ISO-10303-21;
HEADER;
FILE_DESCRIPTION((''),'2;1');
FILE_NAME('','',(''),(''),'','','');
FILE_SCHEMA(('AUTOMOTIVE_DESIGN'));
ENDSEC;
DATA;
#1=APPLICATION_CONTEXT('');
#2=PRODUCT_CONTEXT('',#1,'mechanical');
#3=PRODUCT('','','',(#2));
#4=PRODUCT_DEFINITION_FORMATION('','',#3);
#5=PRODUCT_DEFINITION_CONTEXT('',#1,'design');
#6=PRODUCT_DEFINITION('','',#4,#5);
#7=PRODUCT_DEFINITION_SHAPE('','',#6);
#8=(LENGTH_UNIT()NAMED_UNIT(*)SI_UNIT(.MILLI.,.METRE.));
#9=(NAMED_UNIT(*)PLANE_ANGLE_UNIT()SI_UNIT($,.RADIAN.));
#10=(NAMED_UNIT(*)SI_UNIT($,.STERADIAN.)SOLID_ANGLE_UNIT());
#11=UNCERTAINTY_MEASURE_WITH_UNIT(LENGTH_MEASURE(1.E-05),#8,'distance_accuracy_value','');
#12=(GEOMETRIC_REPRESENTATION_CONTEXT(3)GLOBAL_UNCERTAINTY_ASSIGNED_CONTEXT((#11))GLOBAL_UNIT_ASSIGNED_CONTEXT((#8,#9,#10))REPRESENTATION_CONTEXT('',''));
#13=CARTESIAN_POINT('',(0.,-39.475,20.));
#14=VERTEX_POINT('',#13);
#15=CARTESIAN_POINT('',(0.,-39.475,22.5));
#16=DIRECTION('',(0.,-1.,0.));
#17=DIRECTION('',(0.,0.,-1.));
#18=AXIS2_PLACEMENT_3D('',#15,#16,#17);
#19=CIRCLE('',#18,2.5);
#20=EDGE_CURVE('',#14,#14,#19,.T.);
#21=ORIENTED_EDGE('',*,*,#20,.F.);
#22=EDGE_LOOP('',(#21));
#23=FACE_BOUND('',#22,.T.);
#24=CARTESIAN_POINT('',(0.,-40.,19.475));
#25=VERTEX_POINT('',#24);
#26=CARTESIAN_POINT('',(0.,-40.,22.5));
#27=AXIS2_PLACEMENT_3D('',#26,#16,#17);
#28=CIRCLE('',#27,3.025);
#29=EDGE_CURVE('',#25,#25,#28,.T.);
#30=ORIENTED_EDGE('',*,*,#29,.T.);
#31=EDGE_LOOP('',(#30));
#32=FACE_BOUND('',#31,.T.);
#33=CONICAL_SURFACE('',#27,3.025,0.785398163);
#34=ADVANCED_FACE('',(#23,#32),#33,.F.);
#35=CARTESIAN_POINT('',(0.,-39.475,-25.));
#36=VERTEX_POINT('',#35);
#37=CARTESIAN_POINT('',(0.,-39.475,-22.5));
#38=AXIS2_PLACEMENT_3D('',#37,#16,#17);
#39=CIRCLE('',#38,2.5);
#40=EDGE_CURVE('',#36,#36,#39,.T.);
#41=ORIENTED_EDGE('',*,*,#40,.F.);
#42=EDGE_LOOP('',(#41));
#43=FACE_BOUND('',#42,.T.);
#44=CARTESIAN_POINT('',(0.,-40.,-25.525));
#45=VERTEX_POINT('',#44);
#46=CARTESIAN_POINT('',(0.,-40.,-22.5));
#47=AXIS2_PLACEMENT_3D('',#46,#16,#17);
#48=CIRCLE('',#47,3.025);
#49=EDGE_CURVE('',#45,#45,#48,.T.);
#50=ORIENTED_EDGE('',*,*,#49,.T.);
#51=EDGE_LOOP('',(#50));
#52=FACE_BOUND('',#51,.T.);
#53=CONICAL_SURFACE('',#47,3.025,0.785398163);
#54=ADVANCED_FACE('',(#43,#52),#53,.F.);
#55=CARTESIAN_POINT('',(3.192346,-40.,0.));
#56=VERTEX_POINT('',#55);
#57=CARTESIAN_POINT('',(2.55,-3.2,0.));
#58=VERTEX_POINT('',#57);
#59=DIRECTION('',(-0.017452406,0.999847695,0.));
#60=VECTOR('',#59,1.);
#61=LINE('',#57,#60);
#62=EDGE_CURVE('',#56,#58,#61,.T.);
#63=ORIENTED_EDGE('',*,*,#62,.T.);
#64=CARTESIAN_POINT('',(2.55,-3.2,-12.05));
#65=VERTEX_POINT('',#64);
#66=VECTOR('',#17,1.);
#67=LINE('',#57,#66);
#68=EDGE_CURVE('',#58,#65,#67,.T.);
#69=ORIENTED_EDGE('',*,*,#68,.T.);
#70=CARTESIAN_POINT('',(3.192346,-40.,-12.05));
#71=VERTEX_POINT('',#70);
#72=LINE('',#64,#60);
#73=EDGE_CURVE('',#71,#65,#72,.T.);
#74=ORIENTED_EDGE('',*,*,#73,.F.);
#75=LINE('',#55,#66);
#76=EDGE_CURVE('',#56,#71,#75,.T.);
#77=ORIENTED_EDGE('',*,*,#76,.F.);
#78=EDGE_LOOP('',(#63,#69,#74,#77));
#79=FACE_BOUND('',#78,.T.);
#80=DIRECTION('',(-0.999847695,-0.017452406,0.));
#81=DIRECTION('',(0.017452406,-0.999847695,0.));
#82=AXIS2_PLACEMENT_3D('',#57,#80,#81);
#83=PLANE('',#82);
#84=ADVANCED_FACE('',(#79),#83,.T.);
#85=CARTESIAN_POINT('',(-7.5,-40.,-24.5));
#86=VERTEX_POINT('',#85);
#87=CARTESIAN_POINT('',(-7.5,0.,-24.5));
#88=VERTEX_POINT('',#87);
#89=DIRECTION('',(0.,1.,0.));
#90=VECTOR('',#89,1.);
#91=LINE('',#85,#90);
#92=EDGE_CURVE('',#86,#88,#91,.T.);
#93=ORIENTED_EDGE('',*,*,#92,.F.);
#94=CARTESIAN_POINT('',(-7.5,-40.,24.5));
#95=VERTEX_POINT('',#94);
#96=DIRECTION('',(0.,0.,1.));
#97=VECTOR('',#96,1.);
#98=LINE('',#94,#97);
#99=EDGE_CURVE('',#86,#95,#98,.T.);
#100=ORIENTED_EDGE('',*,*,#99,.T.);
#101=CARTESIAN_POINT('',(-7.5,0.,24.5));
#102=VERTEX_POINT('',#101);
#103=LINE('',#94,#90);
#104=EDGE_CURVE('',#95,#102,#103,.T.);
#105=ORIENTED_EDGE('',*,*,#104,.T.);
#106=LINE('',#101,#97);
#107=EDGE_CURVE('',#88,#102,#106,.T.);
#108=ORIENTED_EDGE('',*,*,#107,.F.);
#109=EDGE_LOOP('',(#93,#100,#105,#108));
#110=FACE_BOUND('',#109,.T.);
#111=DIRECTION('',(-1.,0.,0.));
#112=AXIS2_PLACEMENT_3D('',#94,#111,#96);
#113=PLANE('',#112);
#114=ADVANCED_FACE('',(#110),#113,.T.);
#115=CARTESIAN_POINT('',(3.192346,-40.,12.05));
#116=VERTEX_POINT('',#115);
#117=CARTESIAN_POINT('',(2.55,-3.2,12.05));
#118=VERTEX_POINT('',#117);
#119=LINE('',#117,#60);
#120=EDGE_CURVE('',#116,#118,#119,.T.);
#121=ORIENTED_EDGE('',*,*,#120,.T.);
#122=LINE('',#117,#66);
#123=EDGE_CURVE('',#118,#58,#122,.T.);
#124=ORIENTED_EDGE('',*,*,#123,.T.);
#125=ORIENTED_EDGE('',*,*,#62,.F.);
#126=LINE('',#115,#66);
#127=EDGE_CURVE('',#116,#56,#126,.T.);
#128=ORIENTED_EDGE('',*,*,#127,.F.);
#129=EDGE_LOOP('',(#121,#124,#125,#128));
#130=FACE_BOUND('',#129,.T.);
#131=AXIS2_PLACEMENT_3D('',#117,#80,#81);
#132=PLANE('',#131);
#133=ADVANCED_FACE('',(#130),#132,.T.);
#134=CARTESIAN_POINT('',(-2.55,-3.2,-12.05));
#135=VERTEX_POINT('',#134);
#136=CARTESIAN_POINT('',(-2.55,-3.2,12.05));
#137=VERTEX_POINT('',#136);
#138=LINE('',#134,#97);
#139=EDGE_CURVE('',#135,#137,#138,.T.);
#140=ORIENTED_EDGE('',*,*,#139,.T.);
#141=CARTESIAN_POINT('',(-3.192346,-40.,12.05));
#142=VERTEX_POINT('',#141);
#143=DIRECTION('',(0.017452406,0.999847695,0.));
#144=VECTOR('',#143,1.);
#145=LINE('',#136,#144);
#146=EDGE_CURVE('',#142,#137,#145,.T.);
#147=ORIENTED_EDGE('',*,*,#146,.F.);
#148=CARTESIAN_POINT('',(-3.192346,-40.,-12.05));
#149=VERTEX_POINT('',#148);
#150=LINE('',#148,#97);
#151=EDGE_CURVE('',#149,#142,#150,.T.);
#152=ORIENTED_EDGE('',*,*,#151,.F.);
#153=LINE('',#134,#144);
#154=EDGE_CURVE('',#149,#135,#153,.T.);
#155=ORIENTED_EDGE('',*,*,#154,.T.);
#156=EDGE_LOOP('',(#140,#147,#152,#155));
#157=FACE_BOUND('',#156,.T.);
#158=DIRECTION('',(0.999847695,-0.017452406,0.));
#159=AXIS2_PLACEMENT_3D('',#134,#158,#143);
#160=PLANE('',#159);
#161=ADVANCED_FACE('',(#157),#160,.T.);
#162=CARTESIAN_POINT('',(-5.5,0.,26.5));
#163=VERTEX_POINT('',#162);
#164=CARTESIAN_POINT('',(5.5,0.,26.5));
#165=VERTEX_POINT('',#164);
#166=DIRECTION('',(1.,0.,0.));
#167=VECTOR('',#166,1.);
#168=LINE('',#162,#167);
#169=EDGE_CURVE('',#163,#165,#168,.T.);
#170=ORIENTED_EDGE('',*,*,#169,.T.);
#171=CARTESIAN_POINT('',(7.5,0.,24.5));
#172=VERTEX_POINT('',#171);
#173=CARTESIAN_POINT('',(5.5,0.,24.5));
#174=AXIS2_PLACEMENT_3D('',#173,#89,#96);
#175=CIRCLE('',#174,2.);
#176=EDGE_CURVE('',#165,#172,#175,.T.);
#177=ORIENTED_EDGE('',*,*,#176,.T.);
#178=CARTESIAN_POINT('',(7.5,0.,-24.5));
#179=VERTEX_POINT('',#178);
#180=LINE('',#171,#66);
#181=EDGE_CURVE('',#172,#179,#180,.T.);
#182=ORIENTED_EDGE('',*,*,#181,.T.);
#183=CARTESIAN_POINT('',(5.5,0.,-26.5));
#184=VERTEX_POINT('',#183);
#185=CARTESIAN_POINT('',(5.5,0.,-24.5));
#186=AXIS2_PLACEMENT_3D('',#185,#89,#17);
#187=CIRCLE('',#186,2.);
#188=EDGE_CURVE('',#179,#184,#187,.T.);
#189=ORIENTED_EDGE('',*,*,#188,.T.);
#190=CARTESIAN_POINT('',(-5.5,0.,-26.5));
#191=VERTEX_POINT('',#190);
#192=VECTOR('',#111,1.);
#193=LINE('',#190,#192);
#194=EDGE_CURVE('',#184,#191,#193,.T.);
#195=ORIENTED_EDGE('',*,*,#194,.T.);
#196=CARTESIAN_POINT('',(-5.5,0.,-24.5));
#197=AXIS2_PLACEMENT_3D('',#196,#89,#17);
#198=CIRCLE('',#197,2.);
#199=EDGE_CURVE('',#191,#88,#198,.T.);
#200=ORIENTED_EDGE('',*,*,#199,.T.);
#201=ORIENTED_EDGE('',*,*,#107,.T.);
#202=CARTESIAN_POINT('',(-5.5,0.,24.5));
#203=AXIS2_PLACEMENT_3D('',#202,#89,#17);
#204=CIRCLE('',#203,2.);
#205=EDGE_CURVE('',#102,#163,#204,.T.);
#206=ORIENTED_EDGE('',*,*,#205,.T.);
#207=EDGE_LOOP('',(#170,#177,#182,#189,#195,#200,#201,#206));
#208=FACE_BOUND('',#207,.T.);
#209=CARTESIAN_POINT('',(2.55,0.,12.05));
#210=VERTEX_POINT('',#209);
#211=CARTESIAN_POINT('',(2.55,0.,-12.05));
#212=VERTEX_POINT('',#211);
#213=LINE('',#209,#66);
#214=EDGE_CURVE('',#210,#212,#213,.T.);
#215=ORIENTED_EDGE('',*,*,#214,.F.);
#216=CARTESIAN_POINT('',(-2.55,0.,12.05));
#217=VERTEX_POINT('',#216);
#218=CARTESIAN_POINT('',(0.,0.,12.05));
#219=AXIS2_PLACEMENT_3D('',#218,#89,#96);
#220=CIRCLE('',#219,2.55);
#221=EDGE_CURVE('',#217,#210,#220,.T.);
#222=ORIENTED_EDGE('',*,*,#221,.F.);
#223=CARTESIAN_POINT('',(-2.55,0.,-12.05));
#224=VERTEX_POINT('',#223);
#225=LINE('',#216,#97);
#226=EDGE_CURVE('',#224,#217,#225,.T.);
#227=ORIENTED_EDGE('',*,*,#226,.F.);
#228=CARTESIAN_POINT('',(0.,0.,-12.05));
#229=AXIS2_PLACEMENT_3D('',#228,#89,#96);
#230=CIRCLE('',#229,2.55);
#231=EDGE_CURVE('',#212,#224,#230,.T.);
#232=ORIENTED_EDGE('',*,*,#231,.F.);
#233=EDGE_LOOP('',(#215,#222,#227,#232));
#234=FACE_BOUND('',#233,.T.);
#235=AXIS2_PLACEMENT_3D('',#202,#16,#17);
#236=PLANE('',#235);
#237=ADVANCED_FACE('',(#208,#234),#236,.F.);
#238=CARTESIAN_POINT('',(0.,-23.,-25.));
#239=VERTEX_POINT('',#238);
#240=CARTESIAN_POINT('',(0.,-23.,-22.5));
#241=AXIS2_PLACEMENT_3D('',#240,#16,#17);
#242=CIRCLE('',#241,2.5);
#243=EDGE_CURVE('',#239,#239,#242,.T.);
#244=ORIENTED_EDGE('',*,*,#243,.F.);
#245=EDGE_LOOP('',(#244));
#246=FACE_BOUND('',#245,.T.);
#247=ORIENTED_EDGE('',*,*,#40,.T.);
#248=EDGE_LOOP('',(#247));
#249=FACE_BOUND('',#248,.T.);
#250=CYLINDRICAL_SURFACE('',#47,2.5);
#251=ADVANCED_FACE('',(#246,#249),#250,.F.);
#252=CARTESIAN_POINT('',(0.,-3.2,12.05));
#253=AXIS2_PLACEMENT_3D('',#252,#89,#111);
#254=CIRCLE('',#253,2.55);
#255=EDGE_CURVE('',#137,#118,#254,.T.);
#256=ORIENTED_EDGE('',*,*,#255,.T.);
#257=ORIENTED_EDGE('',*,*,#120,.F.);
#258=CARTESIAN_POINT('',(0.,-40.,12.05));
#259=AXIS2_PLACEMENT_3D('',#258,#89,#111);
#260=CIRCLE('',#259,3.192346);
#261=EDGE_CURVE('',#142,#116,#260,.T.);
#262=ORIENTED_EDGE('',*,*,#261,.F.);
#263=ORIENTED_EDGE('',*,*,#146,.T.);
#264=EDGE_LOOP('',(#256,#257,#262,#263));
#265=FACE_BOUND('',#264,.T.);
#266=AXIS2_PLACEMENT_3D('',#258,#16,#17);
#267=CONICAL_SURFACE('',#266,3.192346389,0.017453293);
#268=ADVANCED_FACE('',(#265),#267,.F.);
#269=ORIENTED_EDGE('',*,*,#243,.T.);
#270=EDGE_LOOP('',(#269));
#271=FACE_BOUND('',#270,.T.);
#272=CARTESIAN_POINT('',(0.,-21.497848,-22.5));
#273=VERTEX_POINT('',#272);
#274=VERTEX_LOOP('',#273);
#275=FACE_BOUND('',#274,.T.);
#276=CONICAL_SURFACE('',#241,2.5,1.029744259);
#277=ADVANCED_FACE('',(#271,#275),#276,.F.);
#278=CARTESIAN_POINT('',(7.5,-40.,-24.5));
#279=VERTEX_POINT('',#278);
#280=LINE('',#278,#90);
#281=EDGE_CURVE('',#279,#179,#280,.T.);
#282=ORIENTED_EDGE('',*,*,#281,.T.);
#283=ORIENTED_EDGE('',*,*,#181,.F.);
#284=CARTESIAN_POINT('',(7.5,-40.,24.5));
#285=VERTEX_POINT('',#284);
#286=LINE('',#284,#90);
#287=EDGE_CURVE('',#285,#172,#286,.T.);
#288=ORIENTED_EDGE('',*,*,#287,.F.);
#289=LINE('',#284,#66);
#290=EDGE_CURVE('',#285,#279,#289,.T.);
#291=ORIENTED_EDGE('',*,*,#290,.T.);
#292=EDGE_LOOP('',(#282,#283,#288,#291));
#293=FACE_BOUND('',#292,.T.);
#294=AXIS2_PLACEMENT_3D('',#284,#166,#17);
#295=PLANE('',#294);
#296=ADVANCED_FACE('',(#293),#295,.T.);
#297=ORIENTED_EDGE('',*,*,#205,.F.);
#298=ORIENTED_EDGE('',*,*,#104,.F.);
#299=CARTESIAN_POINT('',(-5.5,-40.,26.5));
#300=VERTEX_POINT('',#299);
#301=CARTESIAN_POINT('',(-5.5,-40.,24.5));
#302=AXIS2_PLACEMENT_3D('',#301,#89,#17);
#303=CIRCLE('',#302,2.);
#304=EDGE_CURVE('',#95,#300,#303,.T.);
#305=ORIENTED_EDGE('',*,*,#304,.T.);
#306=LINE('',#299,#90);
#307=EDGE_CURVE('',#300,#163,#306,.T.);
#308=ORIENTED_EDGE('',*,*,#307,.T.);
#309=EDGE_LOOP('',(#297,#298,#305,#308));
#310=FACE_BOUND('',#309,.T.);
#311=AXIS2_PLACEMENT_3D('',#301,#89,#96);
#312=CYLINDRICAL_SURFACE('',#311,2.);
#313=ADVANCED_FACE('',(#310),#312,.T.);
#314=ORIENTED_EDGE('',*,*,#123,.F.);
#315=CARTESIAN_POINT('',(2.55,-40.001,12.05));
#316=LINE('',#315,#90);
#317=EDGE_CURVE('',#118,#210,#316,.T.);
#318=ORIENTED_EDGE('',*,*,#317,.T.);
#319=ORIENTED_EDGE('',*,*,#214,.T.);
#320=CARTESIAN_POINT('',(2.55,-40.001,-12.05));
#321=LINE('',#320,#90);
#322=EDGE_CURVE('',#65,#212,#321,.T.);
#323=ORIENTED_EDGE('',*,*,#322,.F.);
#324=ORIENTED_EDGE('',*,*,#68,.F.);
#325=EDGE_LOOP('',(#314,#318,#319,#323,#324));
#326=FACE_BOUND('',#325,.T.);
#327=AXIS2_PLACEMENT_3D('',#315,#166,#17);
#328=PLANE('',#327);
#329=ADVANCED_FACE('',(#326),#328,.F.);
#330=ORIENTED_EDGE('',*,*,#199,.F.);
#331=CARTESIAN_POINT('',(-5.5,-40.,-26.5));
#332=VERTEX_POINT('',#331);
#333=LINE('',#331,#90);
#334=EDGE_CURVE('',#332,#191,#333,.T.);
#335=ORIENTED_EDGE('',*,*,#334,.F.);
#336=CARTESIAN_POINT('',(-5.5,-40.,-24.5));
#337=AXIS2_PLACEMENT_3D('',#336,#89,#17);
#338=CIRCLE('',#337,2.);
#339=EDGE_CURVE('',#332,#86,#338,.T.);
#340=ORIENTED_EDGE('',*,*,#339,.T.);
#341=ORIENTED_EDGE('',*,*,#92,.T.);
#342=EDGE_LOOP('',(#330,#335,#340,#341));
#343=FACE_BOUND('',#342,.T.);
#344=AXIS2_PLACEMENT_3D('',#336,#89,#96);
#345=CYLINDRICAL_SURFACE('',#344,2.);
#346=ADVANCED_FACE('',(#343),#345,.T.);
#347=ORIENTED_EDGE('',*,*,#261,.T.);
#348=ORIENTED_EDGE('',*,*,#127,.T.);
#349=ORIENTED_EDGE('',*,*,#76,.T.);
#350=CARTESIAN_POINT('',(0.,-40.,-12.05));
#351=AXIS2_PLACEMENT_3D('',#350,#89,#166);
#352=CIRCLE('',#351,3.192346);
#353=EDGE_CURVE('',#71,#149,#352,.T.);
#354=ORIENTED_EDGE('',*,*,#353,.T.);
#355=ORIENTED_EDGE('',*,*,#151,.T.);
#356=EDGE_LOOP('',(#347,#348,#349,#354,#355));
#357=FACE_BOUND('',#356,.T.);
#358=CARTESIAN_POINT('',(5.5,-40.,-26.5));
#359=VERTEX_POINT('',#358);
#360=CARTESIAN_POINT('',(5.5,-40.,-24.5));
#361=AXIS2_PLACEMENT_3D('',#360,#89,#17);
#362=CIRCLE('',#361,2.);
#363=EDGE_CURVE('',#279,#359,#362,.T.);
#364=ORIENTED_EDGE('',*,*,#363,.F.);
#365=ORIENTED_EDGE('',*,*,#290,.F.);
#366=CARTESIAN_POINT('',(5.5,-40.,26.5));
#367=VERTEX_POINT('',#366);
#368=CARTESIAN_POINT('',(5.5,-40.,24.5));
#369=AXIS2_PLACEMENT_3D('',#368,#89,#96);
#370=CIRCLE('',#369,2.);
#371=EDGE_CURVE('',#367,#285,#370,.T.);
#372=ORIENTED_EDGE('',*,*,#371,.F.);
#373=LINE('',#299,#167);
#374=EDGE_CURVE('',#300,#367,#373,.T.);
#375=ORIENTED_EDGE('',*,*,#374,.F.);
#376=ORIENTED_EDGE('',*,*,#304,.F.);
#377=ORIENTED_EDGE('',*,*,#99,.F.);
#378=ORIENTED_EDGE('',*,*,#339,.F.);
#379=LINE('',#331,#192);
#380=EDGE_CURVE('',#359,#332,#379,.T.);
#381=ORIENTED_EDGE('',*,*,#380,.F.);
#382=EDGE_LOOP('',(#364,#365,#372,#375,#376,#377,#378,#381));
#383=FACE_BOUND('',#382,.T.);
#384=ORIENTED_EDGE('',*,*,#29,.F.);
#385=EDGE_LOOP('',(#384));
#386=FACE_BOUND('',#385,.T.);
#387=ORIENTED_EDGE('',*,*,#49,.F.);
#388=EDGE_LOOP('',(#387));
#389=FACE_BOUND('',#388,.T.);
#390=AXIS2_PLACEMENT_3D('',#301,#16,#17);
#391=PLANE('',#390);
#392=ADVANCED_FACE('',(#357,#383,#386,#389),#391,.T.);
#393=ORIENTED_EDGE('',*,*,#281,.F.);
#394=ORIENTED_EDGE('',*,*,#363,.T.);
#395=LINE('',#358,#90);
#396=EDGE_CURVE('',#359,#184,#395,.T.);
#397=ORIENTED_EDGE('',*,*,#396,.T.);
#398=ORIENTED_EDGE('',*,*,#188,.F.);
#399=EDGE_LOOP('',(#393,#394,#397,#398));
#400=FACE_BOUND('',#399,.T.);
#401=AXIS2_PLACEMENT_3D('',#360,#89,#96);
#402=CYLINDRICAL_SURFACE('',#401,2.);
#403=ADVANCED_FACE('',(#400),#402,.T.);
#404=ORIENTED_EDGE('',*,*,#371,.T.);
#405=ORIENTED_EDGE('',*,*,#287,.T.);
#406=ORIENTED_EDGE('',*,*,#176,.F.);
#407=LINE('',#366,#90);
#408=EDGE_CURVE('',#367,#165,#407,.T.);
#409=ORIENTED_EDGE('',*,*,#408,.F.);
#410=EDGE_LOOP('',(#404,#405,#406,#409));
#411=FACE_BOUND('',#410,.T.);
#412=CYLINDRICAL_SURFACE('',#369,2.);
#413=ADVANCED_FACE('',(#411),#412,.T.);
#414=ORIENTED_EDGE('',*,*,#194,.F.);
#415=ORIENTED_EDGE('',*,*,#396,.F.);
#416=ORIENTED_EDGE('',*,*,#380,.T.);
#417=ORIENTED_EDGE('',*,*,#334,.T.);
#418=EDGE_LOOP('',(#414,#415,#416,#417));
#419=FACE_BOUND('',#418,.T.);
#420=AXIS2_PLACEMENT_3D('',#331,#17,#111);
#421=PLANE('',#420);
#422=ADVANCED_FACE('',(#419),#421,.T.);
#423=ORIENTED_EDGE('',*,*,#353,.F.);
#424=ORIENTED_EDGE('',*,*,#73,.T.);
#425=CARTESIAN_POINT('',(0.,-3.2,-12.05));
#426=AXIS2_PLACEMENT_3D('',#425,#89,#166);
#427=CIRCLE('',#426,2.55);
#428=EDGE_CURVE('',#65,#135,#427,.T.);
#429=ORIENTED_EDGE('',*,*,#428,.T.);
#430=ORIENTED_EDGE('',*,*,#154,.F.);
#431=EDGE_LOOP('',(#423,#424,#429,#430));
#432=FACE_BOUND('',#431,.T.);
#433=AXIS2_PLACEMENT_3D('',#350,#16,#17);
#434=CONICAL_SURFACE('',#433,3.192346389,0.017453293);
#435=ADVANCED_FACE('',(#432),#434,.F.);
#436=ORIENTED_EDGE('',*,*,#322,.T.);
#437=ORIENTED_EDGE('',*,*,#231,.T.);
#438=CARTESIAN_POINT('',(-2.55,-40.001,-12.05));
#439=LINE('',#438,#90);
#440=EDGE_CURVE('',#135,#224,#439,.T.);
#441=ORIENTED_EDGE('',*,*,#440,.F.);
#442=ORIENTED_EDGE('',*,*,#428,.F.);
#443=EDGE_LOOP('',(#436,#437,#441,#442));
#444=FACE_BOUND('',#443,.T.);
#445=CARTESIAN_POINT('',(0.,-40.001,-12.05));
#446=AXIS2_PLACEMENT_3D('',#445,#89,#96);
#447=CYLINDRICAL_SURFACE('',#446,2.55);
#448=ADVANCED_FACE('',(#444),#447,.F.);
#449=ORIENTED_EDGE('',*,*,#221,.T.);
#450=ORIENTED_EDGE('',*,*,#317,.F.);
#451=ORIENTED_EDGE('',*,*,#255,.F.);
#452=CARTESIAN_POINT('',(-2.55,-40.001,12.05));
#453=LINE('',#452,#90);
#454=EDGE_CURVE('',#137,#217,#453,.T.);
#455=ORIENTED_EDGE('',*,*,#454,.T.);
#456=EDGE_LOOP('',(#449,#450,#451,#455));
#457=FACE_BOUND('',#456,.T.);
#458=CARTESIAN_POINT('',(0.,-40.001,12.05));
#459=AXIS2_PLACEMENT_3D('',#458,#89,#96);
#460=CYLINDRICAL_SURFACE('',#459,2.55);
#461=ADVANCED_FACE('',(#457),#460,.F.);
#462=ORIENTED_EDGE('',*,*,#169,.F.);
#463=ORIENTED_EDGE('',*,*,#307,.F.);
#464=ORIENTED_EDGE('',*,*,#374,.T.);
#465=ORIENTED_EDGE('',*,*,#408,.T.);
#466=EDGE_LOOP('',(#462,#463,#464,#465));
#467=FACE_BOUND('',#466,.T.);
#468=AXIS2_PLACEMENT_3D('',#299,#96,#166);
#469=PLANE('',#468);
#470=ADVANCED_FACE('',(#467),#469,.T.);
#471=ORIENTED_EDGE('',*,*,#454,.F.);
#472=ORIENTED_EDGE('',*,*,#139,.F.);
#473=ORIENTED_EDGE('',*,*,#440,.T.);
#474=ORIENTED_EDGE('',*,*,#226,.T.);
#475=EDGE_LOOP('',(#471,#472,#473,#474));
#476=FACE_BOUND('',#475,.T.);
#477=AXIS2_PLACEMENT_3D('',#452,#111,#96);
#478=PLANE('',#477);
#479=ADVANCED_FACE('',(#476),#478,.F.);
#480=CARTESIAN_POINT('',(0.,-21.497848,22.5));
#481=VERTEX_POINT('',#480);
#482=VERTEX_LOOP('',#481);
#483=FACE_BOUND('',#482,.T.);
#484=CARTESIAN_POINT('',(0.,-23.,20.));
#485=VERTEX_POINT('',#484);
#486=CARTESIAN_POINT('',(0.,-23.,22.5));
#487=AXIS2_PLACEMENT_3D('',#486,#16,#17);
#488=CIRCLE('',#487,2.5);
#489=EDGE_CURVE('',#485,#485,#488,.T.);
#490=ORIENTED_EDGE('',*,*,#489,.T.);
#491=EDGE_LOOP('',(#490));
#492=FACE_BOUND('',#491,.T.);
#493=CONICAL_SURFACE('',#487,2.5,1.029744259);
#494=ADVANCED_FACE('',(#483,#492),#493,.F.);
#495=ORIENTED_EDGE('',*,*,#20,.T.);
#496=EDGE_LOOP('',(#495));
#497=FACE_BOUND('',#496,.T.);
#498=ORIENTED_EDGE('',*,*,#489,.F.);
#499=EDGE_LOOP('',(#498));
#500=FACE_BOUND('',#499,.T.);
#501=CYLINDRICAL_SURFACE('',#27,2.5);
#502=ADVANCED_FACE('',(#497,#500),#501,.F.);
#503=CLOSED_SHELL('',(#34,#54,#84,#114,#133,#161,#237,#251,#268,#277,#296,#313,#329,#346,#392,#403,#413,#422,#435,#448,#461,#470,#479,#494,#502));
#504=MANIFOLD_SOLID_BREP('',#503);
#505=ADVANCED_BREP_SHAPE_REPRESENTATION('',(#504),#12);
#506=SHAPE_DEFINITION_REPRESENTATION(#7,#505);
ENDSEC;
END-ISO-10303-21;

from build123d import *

# Parameters (mm, degrees)
BOSS_EXTRUDE1_DEPTH         = 40
CUT_EXTRUDE2_REACH          = 50.564
M6_TAPPED_HOLE1_D           = 5
M6_TAPPED_HOLE1_DEPTH       = 17
M6_TAPPED_HOLE1_CSINK_D     = 6.05
M6_TAPPED_HOLE1_CSINK_ANGLE = 90
M6_TAPPED_HOLE1_TIP         = 1.502151548


with BuildPart() as part:
    # Sketch1 → Boss-Extrude1 (new body)
    with BuildSketch(Plane(origin=(0, 0, 0), x_dir=(1, 0, 0), z_dir=(0, 1, 0))):
        with BuildLine():
            Line((-5.5, -26.5), (5.5, -26.5))
            ThreePointArc((5.5, -26.5), (6.914213562, -25.914213562), (7.5, -24.5))
            Line((7.5, -24.5), (7.5, 24.5))
            ThreePointArc((7.5, 24.5), (6.914213562, 25.914213562), (5.5, 26.5))
            Line((5.5, 26.5), (-5.5, 26.5))
            ThreePointArc((-5.5, 26.5), (-6.914213562, 25.914213562), (-7.5, 24.5))
            Line((-7.5, 24.5), (-7.5, -24.5))
            ThreePointArc((-7.5, -24.5), (-6.914213562, -25.914213562), (-5.5, -26.5))
        make_face()
    extrude(amount=-BOSS_EXTRUDE1_DEPTH)

    # Sketch5 → Cut-Extrude2 (cut, up to next)
    with BuildSketch(Plane(origin=(0, 0, 0), x_dir=(1, 0, 0), z_dir=(0, 1, 0)), mode=Mode.PRIVATE) as cut_extrude2_sk1:
        with BuildLine():
            Line((-2.55, -12.05), (-2.55, 12.05))
            ThreePointArc((-2.55, 12.05), (0, 14.6), (2.55, 12.05))
            Line((2.55, 12.05), (2.55, -12.05))
            ThreePointArc((2.55, -12.05), (0, -14.6), (-2.55, -12.05))
        make_face()
    cut_extrude2_tool1 = extrude(cut_extrude2_sk1.sketch, amount=-CUT_EXTRUDE2_REACH, mode=Mode.PRIVATE) & part.part
    add(cut_extrude2_tool1.solids().sort_by_distance((0, 0, 0))[0], mode=Mode.SUBTRACT)

    # Cut-Sweep1: sweep along a path in Sketch8
    with BuildLine(Plane(origin=(0, 0, 0), x_dir=(1, 0, 0), z_dir=(0, 1, 0))) as cut_sweep1_path:
        Line((-2.55, 12.05), (-2.55, -12.05))
        ThreePointArc((-2.55, -12.05), (0, -14.6), (2.55, -12.05))
        Line((2.55, -12.05), (2.55, 12.05))
        ThreePointArc((2.55, 12.05), (0, 14.6), (-2.55, 12.05))
    # Sketch7 → Cut-Sweep1 (sweep, cut)
    with BuildSketch(Plane.XY):
        Polygon((2.55, -3.2), (3.192346389, -40), (2.55, -40), align=None)
    sweep(path=cut_sweep1_path.line, mode=Mode.SUBTRACT)

    # M6 Tapped Hole1
    with Locations(Plane(origin=(0, -40, 0), x_dir=(-1, 0, 0), z_dir=(0, -1, 0))):
        with Locations((0, 22.5), (0, -22.5)):
            CounterSinkHole(M6_TAPPED_HOLE1_D / 2, M6_TAPPED_HOLE1_CSINK_D / 2, depth=M6_TAPPED_HOLE1_DEPTH, counter_sink_angle=M6_TAPPED_HOLE1_CSINK_ANGLE)
            with Locations((0, 0, -(M6_TAPPED_HOLE1_DEPTH + M6_TAPPED_HOLE1_TIP / 2))):  # 118° drill point
                Cone(0, M6_TAPPED_HOLE1_D / 2, M6_TAPPED_HOLE1_TIP, mode=Mode.SUBTRACT)


solid = part.part
